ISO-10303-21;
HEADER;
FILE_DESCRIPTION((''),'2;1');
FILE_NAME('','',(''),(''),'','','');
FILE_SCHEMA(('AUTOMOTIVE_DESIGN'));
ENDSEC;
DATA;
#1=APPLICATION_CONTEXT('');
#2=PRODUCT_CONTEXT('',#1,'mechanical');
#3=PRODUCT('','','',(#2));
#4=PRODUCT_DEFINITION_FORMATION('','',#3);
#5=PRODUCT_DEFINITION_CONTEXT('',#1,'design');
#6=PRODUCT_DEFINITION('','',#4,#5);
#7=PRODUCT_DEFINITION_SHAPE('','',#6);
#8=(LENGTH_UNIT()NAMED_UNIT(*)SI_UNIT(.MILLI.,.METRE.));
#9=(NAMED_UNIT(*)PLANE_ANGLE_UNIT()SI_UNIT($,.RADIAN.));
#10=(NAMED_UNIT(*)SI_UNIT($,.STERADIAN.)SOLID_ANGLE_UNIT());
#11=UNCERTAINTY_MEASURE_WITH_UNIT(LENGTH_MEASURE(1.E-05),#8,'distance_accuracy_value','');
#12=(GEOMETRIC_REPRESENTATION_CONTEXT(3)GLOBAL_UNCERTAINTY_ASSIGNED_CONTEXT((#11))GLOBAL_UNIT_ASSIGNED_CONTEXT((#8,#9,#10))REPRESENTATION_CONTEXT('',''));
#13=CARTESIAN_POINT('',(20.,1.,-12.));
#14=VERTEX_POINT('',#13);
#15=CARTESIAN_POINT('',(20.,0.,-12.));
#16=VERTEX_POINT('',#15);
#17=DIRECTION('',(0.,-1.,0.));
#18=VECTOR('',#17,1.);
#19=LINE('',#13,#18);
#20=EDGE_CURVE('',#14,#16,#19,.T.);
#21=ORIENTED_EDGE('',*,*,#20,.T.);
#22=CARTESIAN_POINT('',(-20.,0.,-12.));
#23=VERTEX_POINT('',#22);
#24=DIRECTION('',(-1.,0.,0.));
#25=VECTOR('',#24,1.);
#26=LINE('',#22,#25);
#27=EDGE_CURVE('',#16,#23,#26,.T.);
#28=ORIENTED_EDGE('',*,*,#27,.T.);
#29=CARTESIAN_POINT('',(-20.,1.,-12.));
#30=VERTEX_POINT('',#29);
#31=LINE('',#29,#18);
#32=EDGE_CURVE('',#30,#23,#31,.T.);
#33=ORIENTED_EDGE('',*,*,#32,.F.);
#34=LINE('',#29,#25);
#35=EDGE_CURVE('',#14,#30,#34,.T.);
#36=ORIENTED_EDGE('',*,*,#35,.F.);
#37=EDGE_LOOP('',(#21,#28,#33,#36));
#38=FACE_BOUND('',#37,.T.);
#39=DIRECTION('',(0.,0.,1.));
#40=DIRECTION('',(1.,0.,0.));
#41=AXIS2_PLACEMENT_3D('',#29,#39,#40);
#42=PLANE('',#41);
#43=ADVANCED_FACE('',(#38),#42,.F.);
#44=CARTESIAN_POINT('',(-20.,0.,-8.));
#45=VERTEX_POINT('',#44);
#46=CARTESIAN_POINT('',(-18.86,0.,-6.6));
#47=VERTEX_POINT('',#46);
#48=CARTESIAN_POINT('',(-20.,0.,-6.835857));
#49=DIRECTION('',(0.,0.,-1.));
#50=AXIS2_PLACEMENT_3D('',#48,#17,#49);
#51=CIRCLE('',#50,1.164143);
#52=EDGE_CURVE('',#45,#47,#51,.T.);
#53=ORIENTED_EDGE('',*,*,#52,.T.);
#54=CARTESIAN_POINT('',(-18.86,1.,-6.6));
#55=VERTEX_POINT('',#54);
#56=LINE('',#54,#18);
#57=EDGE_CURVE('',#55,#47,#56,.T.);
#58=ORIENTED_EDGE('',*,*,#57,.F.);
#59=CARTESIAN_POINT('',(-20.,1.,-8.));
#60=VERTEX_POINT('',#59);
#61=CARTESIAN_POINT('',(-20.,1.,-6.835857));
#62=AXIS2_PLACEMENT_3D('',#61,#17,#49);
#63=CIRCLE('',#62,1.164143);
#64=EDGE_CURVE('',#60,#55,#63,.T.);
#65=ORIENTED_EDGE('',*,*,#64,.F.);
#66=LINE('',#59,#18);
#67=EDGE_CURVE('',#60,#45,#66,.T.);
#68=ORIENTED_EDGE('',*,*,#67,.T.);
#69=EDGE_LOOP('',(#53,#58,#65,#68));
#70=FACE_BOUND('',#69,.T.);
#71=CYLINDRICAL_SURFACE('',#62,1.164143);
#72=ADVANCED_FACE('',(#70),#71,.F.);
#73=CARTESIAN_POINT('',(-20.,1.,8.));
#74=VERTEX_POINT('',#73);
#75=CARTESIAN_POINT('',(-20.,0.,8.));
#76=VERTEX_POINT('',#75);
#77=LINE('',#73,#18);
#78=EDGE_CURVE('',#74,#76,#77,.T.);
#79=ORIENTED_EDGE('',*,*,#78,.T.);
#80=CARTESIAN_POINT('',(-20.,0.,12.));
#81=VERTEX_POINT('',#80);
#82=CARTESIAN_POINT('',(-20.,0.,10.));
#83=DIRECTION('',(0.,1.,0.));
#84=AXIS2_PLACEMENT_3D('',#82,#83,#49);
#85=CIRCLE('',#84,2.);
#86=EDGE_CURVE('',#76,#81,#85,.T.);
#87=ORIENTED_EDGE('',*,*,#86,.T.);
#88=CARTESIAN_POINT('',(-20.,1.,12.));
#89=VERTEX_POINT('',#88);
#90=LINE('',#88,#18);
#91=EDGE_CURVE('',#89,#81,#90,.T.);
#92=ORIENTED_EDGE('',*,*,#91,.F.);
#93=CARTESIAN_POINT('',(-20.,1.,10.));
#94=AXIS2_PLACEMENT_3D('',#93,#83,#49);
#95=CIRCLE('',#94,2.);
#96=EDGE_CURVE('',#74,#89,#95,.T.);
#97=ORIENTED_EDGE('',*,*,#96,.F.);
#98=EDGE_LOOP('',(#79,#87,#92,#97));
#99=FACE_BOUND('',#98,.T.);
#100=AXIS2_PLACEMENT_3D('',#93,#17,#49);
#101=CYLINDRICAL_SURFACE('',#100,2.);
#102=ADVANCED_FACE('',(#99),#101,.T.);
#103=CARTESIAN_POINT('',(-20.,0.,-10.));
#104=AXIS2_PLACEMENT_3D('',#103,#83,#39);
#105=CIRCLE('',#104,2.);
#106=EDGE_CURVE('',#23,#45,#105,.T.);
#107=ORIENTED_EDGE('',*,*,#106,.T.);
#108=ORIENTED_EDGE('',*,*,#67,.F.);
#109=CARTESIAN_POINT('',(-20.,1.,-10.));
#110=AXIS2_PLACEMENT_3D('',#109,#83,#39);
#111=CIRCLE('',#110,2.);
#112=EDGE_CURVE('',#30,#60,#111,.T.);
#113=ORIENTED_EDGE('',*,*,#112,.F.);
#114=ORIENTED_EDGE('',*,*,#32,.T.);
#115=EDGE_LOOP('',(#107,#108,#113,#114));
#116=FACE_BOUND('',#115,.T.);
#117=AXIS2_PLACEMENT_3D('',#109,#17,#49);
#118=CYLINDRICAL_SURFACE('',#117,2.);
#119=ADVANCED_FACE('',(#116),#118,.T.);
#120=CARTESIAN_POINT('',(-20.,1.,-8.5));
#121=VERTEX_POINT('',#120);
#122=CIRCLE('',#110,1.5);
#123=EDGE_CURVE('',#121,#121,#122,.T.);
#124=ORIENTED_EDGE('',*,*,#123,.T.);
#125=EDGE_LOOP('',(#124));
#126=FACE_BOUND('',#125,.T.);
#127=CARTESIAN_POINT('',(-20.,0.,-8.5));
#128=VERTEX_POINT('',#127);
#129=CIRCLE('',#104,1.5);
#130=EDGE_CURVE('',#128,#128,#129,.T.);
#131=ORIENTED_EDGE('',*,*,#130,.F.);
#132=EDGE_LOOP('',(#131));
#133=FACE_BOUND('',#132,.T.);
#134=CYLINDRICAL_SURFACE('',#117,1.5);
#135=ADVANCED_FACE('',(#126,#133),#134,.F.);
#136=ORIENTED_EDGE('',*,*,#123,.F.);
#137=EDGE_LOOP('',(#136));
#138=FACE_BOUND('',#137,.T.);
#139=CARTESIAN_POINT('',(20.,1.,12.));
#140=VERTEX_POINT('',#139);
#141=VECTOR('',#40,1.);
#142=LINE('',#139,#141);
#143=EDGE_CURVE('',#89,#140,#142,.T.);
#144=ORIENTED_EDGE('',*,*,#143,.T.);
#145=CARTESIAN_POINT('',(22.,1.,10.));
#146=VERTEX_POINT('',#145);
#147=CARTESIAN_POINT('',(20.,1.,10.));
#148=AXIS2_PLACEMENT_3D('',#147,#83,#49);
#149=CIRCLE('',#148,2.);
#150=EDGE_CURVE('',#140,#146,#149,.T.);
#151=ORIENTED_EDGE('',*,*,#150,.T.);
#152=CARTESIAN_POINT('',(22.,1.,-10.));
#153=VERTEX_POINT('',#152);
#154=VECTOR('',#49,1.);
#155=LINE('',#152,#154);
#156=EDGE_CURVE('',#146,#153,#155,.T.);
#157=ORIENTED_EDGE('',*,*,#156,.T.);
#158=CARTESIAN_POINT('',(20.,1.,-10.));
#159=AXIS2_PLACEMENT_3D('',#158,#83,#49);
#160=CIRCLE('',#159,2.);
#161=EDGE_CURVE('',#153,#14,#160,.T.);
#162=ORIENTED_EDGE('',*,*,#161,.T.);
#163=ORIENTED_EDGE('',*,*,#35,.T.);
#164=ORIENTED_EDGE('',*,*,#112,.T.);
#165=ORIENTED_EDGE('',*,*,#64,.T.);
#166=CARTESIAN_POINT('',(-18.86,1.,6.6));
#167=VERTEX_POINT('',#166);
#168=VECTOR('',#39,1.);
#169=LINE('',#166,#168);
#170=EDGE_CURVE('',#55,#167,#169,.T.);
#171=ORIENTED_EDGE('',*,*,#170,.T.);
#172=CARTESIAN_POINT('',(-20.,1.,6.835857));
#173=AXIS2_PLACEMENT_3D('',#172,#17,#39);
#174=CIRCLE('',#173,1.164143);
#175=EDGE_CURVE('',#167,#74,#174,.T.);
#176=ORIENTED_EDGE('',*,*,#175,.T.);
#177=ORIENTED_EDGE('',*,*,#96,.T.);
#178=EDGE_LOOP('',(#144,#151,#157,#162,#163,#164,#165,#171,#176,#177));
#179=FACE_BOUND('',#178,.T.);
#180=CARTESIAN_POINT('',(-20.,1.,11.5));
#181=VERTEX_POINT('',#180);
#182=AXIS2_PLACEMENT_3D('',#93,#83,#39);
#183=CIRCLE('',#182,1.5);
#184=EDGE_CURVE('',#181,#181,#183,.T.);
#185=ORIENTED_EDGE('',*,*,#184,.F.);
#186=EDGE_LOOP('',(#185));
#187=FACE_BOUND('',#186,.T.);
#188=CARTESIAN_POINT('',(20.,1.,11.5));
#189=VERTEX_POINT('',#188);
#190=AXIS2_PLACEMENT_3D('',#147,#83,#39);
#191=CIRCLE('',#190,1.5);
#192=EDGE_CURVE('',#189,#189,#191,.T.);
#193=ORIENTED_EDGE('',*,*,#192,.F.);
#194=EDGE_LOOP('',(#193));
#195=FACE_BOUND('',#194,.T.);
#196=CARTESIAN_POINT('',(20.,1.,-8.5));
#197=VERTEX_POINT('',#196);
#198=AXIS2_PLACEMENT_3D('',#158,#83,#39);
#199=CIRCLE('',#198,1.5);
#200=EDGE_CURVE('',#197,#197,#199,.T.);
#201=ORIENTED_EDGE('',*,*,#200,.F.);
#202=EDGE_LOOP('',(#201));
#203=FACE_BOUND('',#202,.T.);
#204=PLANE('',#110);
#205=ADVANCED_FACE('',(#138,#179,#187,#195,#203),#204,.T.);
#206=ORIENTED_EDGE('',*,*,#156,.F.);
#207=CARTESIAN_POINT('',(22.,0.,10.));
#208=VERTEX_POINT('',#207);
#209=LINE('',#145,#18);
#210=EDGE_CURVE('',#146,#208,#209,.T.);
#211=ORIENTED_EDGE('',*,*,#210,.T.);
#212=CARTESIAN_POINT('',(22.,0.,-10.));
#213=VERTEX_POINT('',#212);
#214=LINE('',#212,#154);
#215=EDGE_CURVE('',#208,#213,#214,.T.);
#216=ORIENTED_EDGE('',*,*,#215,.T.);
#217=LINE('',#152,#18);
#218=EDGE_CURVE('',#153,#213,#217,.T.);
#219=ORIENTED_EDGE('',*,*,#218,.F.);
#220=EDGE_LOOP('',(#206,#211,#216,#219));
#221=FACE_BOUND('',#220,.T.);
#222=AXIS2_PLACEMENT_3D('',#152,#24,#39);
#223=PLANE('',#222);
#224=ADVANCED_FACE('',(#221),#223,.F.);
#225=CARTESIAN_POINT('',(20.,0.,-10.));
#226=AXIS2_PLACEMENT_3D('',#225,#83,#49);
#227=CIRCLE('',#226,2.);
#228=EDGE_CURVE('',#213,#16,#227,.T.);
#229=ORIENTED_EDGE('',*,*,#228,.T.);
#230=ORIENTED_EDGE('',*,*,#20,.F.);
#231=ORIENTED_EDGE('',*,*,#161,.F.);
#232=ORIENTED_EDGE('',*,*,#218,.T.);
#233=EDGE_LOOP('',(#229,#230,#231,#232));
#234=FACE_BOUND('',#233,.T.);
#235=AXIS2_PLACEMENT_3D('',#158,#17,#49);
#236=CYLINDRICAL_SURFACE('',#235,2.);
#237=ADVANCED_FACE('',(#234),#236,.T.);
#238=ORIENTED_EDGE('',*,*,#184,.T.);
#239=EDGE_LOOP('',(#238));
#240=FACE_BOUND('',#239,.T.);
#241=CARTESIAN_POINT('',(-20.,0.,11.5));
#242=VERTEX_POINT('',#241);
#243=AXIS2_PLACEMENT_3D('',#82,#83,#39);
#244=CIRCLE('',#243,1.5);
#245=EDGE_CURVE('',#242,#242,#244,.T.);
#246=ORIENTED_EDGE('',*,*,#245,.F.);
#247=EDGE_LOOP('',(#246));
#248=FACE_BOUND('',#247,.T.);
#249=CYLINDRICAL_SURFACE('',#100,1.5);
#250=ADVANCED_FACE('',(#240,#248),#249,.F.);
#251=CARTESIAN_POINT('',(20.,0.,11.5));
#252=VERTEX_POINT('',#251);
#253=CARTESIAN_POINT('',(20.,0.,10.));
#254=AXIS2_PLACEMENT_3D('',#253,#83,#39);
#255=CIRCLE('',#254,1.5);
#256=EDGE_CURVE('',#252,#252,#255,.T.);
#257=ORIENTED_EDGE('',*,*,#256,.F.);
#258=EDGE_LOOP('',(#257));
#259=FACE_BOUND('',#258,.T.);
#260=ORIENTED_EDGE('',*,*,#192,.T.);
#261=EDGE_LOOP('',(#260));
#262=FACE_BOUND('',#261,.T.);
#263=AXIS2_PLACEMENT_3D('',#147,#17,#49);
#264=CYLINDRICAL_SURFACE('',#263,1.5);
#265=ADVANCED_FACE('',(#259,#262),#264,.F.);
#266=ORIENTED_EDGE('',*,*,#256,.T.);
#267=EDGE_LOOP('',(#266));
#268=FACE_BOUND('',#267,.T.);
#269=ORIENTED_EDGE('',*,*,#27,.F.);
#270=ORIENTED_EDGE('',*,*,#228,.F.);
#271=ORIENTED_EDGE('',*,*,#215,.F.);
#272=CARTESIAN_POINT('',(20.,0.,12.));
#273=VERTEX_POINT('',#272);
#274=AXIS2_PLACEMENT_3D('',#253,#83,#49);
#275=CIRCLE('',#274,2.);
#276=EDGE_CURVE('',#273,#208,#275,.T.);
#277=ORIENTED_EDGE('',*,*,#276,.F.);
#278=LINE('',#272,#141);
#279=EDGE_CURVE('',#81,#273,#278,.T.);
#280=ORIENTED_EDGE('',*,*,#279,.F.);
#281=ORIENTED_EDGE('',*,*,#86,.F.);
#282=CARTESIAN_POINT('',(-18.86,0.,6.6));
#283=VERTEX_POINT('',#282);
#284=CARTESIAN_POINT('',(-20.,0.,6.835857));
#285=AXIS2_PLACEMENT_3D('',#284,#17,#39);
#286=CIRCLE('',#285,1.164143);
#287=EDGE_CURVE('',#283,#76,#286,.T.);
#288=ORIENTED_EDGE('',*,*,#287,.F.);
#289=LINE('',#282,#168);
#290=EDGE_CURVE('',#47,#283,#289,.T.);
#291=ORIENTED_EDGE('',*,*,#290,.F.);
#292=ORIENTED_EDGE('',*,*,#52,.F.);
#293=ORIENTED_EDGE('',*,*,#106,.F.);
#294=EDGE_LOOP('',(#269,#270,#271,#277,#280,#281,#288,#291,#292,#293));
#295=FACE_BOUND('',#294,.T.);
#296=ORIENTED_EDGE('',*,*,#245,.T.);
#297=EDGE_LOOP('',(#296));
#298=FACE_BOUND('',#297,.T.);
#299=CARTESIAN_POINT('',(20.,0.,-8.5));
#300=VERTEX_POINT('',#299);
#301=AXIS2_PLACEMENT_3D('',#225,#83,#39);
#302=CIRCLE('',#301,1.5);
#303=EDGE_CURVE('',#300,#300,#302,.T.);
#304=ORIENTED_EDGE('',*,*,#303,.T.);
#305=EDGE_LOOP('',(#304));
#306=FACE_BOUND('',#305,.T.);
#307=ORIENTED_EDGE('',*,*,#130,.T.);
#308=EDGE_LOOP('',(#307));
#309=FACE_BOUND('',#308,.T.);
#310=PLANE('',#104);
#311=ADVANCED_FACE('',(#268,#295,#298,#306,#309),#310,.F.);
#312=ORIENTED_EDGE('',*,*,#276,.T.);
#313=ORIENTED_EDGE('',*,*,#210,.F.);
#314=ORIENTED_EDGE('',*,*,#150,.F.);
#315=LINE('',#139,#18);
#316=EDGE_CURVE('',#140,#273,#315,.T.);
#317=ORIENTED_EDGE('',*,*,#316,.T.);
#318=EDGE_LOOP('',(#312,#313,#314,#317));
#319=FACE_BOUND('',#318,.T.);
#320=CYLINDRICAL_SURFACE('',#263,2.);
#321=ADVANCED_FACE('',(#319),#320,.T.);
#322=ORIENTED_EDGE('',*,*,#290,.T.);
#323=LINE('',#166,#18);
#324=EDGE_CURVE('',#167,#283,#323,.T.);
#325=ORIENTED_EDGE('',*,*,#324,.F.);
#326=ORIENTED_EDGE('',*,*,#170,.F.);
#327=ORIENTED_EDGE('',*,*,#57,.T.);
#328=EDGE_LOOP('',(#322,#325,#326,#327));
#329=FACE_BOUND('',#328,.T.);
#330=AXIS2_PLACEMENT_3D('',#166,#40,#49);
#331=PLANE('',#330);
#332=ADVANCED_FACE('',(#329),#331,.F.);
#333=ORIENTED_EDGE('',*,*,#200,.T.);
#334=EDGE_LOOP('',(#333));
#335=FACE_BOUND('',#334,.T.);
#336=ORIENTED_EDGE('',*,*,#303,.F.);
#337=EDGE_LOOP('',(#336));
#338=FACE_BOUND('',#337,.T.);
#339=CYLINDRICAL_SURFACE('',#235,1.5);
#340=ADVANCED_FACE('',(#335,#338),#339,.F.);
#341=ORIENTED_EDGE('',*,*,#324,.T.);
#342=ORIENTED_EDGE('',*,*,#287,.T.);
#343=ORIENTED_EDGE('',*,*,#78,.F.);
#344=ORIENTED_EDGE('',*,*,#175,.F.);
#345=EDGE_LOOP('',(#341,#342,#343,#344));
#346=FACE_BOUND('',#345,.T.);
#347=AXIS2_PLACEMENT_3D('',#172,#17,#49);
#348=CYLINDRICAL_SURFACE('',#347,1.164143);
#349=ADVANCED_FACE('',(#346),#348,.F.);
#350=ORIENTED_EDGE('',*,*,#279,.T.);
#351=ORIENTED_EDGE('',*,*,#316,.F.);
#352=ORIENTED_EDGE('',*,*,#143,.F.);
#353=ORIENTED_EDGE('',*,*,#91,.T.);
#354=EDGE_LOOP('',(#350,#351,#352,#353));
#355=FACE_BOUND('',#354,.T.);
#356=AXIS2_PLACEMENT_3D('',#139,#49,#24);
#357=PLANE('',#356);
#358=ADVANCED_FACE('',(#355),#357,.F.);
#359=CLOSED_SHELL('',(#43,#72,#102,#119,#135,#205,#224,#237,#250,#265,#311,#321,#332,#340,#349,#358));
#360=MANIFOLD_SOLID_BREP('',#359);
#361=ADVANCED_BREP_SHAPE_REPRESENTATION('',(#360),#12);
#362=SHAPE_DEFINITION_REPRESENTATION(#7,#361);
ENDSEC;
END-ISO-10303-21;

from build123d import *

# Parameters (mm, degrees)
SKETCH1_R           = 1.5
BOSS_EXTRUDE1_DEPTH = 1


with BuildPart() as part:
    # Sketch1 → Boss-Extrude1 (new body)
    with BuildSketch(Plane(origin=(0, 0, 0), x_dir=(1, 0, 0), z_dir=(0, 1, 0))):
        with BuildLine():
            Line((-20, 12), (20, 12))
            ThreePointArc((20, 12), (21.414213562, 11.414213562), (22, 10))
            Line((22, 10), (22, -10))
            ThreePointArc((22, -10), (21.414213562, -11.414213562), (20, -12))
            Line((20, -12), (-20, -12))
            ThreePointArc((-20, -12), (-22, -10), (-20, -8))
            ThreePointArc((-20, -8), (-19.097281882, -7.57092761), (-18.86, -6.6))
            Line((-18.86, -6.6), (-18.86, 6.6))
            ThreePointArc((-18.86, 6.6), (-19.097281882, 7.57092761), (-20, 8))
            ThreePointArc((-20, 8), (-22, 10), (-20, 12))
        make_face()
        with Locations((-20, 10)):
            Circle(SKETCH1_R, mode=Mode.SUBTRACT)
        with Locations((-20, -10)):
            Circle(SKETCH1_R, mode=Mode.SUBTRACT)
        with Locations((20, -10)):
            Circle(SKETCH1_R, mode=Mode.SUBTRACT)
        with Locations((20, 10)):
            Circle(SKETCH1_R, mode=Mode.SUBTRACT)
    extrude(amount=BOSS_EXTRUDE1_DEPTH)


solid = part.part
